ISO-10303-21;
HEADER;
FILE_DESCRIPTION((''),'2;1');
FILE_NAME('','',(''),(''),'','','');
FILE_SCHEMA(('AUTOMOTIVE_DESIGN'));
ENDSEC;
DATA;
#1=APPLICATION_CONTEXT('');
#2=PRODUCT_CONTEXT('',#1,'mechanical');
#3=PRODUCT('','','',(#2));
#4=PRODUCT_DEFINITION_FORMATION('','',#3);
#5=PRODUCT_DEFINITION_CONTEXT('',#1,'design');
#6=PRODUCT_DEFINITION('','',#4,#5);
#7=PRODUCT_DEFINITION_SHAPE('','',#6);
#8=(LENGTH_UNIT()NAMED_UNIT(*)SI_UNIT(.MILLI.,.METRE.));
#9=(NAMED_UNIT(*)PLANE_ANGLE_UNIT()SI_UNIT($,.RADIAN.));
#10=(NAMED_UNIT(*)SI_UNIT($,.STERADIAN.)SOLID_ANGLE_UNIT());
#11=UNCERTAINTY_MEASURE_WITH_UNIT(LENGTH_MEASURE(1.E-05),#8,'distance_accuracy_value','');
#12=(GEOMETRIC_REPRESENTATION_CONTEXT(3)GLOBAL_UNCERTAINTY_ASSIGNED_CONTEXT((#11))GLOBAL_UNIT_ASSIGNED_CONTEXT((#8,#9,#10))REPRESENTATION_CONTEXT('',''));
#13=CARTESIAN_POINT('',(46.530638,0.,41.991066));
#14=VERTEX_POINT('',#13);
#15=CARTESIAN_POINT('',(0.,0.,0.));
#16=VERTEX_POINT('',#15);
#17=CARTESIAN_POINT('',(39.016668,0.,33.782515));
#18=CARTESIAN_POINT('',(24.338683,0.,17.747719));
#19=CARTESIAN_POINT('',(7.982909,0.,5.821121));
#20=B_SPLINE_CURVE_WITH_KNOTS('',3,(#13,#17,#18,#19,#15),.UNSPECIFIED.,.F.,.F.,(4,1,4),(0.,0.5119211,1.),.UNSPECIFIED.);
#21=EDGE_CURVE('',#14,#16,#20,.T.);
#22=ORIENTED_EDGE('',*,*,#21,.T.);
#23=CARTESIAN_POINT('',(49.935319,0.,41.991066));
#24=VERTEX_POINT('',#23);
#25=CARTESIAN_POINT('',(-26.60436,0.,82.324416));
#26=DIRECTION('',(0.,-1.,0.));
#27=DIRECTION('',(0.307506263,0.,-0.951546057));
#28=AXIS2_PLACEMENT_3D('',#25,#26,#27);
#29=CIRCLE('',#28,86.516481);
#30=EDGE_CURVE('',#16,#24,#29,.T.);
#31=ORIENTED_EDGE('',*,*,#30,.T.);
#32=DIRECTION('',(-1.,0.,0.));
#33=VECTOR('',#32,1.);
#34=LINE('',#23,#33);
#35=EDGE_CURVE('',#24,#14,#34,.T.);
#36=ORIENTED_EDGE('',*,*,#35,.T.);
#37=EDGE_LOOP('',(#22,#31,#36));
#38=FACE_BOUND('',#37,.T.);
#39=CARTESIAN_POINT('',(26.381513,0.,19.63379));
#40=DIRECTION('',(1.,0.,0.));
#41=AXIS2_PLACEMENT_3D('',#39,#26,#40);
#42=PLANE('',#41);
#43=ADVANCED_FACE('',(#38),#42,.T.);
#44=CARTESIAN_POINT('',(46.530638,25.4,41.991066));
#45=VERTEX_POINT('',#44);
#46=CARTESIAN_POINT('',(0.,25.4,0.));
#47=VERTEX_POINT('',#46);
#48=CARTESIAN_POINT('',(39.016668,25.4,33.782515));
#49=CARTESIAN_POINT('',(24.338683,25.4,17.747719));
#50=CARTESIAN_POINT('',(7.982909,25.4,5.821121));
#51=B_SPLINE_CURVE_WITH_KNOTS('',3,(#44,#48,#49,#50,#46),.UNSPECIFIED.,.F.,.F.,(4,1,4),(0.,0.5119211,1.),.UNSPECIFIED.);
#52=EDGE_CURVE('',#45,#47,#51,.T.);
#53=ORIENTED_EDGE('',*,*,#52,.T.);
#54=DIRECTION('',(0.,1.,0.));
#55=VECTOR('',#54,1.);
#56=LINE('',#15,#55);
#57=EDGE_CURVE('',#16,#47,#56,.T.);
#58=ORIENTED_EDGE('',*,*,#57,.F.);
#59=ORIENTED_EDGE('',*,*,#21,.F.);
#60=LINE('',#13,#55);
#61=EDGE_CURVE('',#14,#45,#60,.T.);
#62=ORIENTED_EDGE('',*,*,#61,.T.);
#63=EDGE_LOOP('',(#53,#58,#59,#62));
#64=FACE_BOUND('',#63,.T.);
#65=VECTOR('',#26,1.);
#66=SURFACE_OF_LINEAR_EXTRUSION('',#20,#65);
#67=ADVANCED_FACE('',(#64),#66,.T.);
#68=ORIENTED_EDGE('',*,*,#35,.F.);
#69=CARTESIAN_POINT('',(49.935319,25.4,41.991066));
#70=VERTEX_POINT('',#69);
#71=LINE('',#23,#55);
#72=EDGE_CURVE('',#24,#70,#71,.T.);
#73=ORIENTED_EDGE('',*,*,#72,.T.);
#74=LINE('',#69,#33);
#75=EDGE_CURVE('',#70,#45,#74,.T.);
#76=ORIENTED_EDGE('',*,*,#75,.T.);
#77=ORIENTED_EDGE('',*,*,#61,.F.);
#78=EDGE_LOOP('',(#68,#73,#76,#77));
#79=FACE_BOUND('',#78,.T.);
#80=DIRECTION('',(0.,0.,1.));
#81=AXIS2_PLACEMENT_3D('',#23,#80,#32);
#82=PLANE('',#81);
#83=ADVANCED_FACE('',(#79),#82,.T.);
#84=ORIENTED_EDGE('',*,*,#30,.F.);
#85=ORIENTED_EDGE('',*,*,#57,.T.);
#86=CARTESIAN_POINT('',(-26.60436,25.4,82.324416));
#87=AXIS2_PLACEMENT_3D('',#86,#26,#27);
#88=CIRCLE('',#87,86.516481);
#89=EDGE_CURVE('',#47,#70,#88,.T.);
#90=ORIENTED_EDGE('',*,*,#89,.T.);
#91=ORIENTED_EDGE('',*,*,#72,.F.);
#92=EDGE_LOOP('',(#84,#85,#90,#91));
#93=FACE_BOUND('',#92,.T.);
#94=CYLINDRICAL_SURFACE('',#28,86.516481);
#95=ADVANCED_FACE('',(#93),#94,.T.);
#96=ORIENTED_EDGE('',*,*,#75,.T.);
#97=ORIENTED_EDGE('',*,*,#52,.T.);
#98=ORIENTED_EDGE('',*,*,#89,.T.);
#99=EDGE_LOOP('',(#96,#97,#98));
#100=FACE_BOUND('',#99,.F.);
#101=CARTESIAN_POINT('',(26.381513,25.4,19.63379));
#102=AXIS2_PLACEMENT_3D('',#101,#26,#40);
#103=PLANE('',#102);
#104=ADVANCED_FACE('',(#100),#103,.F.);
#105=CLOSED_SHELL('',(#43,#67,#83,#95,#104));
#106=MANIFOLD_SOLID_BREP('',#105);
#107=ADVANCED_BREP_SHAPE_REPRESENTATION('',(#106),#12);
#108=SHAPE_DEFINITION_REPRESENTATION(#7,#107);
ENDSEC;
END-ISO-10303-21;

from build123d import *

# Parameters (mm, degrees)
F1_DEPTH = 25.4


with BuildPart() as f1:
    # F0 (on Front) → F1 (new body)
    with BuildSketch(Plane.XZ):
        with BuildLine():
            add(Edge.make_bspline(
                [(46.5306378901, 41.9910661876), (39.01666788, 33.7825154323), (24.3386832979, 17.7477187447), (7.9829085506, 5.8211208054), (0, 0)],
                knots=[0, 0, 0, 0, 0.5119210998, 1, 1, 1, 1], degree=3))
            ThreePointArc((0, 0), (29.0776441209, 16.1079838703), (49.9353185296, 41.9910661876))
            Line((49.9353185296, 41.9910661876), (46.5306378901, 41.9910661876))
        make_face()
    extrude(amount=-F1_DEPTH)


solid = f1.part
